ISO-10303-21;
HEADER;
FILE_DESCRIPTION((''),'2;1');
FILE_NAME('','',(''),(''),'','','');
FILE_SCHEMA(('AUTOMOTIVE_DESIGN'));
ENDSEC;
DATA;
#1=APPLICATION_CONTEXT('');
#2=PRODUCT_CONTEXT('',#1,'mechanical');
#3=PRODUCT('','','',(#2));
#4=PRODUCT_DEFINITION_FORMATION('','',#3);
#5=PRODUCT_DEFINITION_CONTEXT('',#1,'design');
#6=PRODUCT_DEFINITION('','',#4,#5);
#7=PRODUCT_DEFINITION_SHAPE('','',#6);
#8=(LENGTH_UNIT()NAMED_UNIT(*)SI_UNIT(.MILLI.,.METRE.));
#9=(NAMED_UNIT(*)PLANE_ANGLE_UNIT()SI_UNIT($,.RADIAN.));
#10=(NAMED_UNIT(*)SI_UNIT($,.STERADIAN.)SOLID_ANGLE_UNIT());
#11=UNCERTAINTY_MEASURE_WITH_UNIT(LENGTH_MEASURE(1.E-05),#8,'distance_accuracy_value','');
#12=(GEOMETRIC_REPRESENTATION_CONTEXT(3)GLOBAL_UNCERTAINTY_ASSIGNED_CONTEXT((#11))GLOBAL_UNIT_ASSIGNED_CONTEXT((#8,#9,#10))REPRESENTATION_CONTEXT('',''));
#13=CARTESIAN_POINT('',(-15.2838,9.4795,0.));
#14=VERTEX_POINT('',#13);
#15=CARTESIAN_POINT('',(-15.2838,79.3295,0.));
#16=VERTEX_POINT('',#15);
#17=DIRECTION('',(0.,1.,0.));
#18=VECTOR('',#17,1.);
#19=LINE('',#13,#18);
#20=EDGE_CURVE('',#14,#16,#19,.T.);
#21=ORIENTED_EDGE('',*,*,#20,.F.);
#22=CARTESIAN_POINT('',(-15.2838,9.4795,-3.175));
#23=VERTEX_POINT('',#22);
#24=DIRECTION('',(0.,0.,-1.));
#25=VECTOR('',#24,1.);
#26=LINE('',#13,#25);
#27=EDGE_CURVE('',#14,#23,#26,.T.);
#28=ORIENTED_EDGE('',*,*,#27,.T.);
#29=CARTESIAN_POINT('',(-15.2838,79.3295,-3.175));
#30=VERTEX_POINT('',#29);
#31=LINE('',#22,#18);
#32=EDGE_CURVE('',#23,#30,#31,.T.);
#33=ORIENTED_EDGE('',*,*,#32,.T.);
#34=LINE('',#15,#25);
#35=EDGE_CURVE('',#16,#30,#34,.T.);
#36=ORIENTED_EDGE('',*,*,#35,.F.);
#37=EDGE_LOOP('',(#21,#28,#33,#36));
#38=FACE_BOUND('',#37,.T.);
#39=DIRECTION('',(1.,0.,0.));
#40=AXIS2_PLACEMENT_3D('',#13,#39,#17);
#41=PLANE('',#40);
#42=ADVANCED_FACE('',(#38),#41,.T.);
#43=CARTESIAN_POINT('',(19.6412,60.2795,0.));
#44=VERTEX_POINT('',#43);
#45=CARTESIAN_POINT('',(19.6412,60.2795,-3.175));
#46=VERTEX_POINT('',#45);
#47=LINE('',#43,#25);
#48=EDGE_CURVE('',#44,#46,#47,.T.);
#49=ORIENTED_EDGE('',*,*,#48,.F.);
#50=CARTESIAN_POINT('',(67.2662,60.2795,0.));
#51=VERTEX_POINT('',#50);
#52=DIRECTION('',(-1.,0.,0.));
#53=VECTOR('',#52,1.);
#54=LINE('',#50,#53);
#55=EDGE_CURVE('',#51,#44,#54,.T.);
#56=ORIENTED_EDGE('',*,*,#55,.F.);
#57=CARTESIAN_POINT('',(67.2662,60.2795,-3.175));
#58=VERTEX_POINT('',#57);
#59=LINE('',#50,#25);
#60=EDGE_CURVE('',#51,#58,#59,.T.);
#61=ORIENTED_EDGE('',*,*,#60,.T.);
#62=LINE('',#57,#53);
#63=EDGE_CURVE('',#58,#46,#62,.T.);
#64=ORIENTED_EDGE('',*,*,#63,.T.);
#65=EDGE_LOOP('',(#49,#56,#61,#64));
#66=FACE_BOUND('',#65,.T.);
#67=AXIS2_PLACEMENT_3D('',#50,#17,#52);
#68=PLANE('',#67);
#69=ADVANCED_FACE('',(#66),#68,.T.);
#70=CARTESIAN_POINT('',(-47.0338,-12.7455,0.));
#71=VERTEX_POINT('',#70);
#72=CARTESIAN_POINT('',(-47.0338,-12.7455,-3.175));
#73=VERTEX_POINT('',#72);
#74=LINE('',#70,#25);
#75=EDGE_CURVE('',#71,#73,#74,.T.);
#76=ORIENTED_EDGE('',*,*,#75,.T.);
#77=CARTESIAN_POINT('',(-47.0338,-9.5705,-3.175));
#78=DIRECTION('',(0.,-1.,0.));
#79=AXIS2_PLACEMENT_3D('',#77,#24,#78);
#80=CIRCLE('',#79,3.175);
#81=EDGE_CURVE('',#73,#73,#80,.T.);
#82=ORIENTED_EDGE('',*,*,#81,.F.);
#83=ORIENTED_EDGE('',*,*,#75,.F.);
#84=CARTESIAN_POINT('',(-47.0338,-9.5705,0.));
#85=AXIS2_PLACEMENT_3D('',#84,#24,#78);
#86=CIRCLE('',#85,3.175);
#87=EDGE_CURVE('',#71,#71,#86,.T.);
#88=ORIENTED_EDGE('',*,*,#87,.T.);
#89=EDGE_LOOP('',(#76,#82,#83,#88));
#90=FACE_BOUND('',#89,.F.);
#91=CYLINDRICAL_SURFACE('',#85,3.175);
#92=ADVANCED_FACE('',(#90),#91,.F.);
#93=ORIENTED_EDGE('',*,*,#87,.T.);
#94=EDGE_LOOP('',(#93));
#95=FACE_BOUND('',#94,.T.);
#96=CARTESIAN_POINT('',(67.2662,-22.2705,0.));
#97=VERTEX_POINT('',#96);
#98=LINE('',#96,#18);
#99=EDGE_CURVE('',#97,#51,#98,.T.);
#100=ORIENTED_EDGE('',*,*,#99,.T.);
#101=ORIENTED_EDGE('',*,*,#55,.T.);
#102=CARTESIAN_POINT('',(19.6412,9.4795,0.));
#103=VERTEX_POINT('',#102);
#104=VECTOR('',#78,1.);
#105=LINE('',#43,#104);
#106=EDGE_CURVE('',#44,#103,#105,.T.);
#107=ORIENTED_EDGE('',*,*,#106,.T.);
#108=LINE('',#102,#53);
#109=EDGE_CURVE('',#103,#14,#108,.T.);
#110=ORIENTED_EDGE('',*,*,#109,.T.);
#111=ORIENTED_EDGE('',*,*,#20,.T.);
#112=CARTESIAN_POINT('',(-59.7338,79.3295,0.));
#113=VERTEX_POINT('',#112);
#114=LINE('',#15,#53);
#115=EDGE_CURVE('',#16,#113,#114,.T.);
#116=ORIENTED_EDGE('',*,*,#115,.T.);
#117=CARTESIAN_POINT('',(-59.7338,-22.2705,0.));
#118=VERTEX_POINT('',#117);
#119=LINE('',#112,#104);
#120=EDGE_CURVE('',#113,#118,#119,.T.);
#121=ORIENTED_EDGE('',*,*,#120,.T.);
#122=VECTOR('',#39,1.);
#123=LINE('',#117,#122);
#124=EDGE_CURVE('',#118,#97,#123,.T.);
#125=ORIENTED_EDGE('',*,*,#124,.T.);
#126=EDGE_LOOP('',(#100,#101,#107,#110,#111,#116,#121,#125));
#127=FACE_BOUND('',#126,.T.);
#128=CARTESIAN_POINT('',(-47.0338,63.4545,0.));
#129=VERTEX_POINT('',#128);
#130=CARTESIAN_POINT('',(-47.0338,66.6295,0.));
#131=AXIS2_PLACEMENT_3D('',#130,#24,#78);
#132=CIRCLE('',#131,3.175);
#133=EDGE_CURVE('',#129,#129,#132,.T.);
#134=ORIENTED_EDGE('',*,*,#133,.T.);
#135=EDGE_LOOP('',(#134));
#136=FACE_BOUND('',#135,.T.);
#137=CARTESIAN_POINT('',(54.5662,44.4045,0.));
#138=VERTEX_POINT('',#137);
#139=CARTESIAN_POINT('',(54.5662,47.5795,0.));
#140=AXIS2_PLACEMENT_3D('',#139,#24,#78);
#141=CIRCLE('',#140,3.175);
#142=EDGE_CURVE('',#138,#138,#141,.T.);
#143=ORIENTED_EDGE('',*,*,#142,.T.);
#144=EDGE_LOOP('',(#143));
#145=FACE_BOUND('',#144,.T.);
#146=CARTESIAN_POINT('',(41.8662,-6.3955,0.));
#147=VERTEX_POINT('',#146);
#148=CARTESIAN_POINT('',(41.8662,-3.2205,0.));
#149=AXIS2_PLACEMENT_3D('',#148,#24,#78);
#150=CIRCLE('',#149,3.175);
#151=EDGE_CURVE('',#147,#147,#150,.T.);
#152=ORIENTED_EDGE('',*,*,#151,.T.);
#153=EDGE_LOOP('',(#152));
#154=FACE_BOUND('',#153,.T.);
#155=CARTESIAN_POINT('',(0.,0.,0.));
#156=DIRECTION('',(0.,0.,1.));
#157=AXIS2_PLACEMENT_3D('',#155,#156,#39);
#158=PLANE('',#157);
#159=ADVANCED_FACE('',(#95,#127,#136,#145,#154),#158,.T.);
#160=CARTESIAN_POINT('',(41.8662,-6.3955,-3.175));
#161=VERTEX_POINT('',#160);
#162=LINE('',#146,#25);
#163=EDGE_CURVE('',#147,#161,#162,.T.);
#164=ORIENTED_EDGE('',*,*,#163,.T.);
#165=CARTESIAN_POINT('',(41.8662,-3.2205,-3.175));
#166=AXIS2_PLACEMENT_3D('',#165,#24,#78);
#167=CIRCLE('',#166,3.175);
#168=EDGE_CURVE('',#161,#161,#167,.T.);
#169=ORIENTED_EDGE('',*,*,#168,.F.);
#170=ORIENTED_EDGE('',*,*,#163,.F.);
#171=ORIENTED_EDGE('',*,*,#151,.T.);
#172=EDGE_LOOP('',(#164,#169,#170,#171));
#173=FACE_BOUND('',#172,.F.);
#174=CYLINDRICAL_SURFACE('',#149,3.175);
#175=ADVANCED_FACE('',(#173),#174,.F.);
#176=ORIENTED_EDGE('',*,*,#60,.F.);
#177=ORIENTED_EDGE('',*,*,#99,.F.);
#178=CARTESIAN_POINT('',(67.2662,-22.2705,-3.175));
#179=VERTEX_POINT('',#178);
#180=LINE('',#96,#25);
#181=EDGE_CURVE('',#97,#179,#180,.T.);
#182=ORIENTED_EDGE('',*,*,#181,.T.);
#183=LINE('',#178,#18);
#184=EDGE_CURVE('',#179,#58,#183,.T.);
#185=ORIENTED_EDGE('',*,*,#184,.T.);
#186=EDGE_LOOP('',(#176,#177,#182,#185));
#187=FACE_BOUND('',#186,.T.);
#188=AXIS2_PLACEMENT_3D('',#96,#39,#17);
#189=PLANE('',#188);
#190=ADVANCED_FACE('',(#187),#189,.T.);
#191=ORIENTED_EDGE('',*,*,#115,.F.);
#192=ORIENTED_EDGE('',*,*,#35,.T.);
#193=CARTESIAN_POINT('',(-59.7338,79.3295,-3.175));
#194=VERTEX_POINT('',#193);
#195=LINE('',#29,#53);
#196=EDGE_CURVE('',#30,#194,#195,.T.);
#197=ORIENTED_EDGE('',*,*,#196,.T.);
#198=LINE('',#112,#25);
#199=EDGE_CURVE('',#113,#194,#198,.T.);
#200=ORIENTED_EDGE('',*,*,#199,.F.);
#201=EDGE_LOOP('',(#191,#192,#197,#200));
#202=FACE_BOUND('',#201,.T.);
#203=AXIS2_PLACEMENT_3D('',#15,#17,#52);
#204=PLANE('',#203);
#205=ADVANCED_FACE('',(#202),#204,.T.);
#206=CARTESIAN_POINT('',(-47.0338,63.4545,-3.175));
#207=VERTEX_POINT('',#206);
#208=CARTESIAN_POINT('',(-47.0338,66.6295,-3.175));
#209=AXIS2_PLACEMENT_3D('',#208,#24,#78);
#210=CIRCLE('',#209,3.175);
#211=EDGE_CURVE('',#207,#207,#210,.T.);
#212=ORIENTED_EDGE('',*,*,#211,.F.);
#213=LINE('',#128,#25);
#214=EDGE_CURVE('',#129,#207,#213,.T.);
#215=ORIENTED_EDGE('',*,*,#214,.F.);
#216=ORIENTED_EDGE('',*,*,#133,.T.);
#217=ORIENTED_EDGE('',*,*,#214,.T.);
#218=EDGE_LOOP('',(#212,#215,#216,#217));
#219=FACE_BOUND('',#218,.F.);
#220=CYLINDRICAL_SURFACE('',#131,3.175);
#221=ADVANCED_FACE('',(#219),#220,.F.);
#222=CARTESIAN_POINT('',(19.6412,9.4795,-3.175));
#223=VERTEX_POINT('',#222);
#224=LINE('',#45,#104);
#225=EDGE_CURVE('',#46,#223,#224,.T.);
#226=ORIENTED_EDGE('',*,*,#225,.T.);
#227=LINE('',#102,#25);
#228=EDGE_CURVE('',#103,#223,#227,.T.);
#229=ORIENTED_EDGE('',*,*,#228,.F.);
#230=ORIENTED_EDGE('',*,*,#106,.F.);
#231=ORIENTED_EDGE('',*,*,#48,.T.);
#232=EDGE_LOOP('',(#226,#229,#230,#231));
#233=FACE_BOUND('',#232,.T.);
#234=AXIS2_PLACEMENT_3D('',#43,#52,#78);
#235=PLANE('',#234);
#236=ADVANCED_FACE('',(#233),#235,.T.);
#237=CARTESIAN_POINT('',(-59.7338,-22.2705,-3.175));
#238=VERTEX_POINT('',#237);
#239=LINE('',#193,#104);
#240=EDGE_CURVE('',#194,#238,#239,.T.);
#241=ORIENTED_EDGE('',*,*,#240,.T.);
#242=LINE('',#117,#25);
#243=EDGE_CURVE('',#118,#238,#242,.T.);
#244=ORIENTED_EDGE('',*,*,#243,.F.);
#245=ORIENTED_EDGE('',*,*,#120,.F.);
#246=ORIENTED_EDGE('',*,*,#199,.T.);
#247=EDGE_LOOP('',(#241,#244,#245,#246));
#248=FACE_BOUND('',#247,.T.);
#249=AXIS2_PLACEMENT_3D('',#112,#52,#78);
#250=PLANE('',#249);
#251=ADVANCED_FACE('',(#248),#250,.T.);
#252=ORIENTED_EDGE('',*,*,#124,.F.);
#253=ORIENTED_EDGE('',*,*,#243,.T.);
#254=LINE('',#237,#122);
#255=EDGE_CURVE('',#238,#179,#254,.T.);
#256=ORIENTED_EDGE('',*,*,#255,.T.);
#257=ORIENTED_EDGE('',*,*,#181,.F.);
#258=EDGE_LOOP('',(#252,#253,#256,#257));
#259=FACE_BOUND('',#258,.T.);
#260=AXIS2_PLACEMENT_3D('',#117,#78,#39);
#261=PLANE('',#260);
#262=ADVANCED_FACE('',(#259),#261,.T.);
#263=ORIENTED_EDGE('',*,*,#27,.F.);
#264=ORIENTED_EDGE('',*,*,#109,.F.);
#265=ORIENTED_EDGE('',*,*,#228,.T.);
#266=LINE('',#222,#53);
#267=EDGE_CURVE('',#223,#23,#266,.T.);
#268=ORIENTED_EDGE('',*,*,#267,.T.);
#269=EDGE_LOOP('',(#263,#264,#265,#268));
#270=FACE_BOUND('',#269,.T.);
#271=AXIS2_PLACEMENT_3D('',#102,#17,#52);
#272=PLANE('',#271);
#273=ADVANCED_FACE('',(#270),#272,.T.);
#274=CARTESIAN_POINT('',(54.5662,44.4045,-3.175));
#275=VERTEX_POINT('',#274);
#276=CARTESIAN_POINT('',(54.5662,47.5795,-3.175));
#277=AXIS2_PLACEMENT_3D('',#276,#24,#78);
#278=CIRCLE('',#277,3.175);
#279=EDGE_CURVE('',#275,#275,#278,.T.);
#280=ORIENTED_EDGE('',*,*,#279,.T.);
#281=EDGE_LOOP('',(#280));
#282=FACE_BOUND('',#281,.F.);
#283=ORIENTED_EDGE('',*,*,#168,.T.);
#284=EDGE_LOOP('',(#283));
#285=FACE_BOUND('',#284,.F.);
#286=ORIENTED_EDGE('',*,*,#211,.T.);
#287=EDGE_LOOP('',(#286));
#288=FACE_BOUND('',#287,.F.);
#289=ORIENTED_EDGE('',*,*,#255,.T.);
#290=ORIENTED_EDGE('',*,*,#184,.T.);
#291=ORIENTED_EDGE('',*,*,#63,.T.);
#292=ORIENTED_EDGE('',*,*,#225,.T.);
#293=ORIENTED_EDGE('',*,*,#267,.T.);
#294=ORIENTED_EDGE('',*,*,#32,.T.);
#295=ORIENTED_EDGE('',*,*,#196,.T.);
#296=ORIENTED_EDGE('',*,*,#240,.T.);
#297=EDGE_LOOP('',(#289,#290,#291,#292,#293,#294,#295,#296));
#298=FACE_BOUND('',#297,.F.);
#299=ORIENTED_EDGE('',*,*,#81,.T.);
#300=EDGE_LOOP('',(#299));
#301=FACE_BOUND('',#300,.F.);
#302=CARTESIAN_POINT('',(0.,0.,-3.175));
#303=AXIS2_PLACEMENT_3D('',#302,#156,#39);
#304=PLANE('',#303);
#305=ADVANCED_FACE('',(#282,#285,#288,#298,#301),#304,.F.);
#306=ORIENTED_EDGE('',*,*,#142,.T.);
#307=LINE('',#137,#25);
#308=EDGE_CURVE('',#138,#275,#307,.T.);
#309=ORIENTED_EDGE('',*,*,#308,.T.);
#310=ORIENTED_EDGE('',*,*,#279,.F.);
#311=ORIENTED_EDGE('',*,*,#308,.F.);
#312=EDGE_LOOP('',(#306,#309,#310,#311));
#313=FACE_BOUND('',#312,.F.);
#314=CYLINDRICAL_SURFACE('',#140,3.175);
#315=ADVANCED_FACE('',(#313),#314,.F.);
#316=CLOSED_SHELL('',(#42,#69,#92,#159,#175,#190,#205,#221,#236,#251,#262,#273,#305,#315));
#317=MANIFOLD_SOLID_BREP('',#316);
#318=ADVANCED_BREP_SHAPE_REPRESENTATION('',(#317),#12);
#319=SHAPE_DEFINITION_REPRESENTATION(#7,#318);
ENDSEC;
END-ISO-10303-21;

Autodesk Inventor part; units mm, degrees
ref_plane "YZ Plane" through (0, 0, 0) normal (1, 0, 0) x (0, 1, 0)
ref_plane "XZ Plane" through (0, 0, 0) normal (0, 1, 0) x (-1, 0, 0)
ref_plane "XY Plane" through (0, 0, 0) normal (0, 0, 1) x (1, 0, 0)
sketch "Sketch1" plane through (0, 0, 0) normal (0, 0, 1) x (1, 0, 0)
  line L0 (-59.7338, 79.3295) -> (-59.7338, -22.2705)
  line L1 (-59.7338, -22.2705) -> (67.2662, -22.2705)
  line L2 (67.2662, -22.2705) -> (67.2662, 60.2795)
  line L3 (67.2662, 60.2795) -> (19.6412, 60.2795)
  line L4 (19.6412, 60.2795) -> (19.6412, 9.4795)
  line L5 (19.6412, 9.4795) -> (-15.2838, 9.4795)
  line L6 (-15.2838, 9.4795) -> (-15.2838, 79.3295)
  line L7 (-15.2838, 79.3295) -> (-59.7338, 79.3295)
  point P0 (0, 0)
  point P1 (-47.0338, 66.6295)
  point P2 (54.5662, 47.5795)
  point P3 (41.8662, -3.2205)
  point P4 (-47.0338, -9.5705)
  dimension "d0" = 101.6
  dimension "d1" = 127
  dimension "d2" = 44.45
  dimension "d3" = 47.625
  dimension "d4" = 82.55
  dimension "d5" = 69.85
  dimension "d6" = 12.7
  dimension "d7" = 12.7
  dimension "d8" = 12.7
  dimension "d9" = 12.7
  dimension "d10" = 19.05
  dimension "d11" = 25.4
  dimension "d21" = 12.7
  dimension "d22" = 12.7
extrude "Extrusion1" add sketch "Sketch1" against normal blind 3.175
hole "Hole1" at (-47.0338, 66.6295, 0) at (54.5662, 47.5795, 0) at (41.8662, -3.2205, 0) direction (0, 0, -1) diameter 6.35 depth 25.4 tip angle 118
hole "Hole2" at (-47.0338, -9.5705, 0) direction (0, 0, -1) diameter 6.35 end through all
properties part number "AS5-8-4-001"
